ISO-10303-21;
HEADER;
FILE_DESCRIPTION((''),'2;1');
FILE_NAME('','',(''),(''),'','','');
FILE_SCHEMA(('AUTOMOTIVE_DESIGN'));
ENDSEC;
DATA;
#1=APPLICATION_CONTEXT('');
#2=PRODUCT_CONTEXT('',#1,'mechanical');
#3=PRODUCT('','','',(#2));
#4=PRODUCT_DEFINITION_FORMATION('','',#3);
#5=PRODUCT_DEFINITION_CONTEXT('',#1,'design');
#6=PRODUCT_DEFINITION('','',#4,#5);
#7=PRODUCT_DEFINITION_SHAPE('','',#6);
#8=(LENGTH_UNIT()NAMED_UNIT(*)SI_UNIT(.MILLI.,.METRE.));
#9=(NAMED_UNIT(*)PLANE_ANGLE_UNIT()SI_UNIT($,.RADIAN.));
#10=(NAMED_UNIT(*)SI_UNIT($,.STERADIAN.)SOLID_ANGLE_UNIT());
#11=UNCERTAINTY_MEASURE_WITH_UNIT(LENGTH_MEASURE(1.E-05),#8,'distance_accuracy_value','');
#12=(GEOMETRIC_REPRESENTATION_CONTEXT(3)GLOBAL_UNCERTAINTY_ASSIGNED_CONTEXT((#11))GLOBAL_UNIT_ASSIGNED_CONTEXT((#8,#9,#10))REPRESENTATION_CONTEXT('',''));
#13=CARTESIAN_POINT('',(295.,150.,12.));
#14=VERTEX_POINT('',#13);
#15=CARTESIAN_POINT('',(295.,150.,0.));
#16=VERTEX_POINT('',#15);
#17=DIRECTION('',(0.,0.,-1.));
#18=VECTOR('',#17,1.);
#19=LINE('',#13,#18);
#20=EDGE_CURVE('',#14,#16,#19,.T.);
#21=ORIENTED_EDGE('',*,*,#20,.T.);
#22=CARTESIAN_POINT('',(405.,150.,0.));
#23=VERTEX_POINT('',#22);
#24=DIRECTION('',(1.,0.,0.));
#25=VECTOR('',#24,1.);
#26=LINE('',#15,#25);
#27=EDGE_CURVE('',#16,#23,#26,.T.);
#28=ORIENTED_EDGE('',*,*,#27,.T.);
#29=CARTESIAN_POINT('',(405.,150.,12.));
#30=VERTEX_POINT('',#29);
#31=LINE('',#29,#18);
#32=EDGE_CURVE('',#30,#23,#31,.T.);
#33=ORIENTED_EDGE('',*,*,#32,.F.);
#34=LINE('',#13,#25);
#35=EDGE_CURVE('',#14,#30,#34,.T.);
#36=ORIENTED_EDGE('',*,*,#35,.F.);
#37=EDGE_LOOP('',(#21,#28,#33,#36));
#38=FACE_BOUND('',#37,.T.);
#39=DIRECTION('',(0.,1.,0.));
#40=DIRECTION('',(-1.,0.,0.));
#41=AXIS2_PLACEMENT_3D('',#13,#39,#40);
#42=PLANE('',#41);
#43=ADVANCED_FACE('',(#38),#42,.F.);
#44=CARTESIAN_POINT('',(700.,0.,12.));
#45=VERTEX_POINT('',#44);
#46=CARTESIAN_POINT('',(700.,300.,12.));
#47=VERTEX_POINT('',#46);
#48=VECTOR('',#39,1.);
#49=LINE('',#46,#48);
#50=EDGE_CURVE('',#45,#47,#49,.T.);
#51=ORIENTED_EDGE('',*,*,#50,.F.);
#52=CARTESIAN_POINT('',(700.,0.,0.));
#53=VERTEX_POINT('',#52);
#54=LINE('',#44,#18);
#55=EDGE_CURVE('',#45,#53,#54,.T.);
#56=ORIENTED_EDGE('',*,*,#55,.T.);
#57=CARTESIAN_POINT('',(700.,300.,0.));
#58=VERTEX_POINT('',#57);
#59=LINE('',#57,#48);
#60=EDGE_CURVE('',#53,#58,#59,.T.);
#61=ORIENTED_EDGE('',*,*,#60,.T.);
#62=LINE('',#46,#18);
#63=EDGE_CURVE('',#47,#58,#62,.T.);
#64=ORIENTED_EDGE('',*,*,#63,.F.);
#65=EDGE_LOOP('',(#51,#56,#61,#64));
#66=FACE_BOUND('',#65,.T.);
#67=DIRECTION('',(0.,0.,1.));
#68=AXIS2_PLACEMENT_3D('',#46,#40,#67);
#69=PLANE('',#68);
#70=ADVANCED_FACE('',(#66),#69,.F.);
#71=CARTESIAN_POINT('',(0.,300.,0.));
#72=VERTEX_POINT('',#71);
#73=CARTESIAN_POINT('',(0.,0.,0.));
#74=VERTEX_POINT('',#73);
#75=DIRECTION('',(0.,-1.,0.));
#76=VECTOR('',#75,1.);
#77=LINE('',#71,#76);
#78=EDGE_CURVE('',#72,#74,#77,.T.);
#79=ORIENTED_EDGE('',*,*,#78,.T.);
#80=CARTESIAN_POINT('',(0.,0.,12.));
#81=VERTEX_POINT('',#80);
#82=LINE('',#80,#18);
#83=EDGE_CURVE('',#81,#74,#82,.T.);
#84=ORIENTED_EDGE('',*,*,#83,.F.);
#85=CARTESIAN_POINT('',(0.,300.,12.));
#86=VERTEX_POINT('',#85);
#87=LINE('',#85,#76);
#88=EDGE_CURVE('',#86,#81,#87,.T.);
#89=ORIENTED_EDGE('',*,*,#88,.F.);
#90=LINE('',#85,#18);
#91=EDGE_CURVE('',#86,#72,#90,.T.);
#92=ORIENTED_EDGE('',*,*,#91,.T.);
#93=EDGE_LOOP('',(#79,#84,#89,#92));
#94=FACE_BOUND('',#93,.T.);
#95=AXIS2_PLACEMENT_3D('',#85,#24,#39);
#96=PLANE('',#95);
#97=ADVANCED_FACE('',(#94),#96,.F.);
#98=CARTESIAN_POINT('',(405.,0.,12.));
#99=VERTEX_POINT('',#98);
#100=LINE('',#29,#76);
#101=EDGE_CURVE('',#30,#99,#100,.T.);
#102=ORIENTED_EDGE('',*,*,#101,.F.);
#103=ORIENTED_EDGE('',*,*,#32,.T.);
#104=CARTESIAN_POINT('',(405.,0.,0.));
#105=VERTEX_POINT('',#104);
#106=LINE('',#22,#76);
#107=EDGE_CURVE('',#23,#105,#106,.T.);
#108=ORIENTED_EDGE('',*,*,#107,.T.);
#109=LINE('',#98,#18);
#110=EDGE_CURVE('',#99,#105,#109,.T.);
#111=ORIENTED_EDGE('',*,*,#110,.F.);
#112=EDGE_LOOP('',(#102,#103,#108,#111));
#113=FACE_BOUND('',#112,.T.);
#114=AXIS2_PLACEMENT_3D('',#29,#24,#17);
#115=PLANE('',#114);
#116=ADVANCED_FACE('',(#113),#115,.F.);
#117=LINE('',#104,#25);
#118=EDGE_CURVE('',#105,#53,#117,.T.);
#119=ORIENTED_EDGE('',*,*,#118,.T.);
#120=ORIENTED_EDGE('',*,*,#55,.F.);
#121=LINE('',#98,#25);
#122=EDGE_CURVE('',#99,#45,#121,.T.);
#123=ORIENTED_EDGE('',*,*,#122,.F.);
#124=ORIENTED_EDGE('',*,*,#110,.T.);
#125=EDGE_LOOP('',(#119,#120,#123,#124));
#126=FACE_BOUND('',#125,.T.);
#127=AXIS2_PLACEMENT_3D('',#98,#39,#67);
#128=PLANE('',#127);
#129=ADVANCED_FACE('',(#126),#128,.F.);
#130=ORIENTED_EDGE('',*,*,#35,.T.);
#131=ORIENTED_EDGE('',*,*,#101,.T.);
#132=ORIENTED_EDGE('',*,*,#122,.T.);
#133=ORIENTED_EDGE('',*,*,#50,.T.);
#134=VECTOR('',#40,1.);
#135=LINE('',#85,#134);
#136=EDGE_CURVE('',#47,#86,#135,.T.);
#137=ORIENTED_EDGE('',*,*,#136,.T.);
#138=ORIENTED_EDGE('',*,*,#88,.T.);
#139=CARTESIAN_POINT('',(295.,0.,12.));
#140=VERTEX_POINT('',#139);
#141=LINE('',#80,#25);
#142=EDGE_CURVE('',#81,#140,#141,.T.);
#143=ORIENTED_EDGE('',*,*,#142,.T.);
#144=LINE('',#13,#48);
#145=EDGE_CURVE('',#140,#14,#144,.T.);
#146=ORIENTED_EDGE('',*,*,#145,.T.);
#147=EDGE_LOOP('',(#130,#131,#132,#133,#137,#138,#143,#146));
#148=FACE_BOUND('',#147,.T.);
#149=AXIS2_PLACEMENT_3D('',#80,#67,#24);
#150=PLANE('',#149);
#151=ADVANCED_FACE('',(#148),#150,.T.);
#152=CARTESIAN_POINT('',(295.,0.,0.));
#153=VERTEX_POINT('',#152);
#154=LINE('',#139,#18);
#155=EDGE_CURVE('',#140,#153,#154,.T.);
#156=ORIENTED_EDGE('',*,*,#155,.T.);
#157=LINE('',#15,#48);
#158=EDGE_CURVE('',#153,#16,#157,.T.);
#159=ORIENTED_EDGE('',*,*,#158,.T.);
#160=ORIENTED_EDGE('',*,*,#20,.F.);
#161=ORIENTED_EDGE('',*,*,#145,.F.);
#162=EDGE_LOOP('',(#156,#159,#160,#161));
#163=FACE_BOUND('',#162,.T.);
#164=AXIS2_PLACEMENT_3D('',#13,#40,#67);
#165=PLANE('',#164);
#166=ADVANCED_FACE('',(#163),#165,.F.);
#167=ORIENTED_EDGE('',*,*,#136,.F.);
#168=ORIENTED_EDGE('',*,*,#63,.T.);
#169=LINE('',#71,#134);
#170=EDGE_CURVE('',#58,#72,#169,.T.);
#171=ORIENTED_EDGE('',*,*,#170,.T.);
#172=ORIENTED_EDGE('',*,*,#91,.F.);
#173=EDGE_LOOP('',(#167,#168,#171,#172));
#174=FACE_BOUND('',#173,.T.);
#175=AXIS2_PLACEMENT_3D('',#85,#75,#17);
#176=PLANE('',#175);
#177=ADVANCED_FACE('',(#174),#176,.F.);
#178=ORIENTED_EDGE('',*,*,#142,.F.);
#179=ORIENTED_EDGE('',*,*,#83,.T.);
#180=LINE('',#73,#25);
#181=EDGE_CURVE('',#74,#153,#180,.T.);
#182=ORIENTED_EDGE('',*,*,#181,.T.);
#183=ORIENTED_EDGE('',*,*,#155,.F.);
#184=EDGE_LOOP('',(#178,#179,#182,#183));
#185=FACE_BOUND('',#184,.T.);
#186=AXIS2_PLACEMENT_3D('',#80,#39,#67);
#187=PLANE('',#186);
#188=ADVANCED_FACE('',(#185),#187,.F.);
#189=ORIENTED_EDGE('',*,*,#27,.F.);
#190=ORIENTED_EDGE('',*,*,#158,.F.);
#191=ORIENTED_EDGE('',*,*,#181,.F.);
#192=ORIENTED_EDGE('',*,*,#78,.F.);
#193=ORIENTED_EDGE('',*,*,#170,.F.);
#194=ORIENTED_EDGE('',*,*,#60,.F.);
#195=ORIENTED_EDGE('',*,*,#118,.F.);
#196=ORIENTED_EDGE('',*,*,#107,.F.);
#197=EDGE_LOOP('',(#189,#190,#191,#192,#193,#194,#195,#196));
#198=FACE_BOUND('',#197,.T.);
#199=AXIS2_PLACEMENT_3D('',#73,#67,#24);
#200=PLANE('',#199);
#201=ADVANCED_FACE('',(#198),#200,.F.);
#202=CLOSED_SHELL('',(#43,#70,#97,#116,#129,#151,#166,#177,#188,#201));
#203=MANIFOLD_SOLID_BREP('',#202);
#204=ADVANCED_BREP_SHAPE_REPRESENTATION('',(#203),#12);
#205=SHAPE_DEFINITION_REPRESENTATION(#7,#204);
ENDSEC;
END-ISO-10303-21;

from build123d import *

# Parameters (mm, degrees)
BOSS_EXTRUDE1_DEPTH = 12


with BuildPart() as part:
    # Sketch1 → Boss-Extrude1 (new body)
    with BuildSketch(Plane.XY):
        Polygon((405, 0), (700, 0), (700, 300), (0, 300), (0, 0), (295, 0), (295, 150), (405, 150), align=None)
    extrude(amount=BOSS_EXTRUDE1_DEPTH)


solid = part.part
